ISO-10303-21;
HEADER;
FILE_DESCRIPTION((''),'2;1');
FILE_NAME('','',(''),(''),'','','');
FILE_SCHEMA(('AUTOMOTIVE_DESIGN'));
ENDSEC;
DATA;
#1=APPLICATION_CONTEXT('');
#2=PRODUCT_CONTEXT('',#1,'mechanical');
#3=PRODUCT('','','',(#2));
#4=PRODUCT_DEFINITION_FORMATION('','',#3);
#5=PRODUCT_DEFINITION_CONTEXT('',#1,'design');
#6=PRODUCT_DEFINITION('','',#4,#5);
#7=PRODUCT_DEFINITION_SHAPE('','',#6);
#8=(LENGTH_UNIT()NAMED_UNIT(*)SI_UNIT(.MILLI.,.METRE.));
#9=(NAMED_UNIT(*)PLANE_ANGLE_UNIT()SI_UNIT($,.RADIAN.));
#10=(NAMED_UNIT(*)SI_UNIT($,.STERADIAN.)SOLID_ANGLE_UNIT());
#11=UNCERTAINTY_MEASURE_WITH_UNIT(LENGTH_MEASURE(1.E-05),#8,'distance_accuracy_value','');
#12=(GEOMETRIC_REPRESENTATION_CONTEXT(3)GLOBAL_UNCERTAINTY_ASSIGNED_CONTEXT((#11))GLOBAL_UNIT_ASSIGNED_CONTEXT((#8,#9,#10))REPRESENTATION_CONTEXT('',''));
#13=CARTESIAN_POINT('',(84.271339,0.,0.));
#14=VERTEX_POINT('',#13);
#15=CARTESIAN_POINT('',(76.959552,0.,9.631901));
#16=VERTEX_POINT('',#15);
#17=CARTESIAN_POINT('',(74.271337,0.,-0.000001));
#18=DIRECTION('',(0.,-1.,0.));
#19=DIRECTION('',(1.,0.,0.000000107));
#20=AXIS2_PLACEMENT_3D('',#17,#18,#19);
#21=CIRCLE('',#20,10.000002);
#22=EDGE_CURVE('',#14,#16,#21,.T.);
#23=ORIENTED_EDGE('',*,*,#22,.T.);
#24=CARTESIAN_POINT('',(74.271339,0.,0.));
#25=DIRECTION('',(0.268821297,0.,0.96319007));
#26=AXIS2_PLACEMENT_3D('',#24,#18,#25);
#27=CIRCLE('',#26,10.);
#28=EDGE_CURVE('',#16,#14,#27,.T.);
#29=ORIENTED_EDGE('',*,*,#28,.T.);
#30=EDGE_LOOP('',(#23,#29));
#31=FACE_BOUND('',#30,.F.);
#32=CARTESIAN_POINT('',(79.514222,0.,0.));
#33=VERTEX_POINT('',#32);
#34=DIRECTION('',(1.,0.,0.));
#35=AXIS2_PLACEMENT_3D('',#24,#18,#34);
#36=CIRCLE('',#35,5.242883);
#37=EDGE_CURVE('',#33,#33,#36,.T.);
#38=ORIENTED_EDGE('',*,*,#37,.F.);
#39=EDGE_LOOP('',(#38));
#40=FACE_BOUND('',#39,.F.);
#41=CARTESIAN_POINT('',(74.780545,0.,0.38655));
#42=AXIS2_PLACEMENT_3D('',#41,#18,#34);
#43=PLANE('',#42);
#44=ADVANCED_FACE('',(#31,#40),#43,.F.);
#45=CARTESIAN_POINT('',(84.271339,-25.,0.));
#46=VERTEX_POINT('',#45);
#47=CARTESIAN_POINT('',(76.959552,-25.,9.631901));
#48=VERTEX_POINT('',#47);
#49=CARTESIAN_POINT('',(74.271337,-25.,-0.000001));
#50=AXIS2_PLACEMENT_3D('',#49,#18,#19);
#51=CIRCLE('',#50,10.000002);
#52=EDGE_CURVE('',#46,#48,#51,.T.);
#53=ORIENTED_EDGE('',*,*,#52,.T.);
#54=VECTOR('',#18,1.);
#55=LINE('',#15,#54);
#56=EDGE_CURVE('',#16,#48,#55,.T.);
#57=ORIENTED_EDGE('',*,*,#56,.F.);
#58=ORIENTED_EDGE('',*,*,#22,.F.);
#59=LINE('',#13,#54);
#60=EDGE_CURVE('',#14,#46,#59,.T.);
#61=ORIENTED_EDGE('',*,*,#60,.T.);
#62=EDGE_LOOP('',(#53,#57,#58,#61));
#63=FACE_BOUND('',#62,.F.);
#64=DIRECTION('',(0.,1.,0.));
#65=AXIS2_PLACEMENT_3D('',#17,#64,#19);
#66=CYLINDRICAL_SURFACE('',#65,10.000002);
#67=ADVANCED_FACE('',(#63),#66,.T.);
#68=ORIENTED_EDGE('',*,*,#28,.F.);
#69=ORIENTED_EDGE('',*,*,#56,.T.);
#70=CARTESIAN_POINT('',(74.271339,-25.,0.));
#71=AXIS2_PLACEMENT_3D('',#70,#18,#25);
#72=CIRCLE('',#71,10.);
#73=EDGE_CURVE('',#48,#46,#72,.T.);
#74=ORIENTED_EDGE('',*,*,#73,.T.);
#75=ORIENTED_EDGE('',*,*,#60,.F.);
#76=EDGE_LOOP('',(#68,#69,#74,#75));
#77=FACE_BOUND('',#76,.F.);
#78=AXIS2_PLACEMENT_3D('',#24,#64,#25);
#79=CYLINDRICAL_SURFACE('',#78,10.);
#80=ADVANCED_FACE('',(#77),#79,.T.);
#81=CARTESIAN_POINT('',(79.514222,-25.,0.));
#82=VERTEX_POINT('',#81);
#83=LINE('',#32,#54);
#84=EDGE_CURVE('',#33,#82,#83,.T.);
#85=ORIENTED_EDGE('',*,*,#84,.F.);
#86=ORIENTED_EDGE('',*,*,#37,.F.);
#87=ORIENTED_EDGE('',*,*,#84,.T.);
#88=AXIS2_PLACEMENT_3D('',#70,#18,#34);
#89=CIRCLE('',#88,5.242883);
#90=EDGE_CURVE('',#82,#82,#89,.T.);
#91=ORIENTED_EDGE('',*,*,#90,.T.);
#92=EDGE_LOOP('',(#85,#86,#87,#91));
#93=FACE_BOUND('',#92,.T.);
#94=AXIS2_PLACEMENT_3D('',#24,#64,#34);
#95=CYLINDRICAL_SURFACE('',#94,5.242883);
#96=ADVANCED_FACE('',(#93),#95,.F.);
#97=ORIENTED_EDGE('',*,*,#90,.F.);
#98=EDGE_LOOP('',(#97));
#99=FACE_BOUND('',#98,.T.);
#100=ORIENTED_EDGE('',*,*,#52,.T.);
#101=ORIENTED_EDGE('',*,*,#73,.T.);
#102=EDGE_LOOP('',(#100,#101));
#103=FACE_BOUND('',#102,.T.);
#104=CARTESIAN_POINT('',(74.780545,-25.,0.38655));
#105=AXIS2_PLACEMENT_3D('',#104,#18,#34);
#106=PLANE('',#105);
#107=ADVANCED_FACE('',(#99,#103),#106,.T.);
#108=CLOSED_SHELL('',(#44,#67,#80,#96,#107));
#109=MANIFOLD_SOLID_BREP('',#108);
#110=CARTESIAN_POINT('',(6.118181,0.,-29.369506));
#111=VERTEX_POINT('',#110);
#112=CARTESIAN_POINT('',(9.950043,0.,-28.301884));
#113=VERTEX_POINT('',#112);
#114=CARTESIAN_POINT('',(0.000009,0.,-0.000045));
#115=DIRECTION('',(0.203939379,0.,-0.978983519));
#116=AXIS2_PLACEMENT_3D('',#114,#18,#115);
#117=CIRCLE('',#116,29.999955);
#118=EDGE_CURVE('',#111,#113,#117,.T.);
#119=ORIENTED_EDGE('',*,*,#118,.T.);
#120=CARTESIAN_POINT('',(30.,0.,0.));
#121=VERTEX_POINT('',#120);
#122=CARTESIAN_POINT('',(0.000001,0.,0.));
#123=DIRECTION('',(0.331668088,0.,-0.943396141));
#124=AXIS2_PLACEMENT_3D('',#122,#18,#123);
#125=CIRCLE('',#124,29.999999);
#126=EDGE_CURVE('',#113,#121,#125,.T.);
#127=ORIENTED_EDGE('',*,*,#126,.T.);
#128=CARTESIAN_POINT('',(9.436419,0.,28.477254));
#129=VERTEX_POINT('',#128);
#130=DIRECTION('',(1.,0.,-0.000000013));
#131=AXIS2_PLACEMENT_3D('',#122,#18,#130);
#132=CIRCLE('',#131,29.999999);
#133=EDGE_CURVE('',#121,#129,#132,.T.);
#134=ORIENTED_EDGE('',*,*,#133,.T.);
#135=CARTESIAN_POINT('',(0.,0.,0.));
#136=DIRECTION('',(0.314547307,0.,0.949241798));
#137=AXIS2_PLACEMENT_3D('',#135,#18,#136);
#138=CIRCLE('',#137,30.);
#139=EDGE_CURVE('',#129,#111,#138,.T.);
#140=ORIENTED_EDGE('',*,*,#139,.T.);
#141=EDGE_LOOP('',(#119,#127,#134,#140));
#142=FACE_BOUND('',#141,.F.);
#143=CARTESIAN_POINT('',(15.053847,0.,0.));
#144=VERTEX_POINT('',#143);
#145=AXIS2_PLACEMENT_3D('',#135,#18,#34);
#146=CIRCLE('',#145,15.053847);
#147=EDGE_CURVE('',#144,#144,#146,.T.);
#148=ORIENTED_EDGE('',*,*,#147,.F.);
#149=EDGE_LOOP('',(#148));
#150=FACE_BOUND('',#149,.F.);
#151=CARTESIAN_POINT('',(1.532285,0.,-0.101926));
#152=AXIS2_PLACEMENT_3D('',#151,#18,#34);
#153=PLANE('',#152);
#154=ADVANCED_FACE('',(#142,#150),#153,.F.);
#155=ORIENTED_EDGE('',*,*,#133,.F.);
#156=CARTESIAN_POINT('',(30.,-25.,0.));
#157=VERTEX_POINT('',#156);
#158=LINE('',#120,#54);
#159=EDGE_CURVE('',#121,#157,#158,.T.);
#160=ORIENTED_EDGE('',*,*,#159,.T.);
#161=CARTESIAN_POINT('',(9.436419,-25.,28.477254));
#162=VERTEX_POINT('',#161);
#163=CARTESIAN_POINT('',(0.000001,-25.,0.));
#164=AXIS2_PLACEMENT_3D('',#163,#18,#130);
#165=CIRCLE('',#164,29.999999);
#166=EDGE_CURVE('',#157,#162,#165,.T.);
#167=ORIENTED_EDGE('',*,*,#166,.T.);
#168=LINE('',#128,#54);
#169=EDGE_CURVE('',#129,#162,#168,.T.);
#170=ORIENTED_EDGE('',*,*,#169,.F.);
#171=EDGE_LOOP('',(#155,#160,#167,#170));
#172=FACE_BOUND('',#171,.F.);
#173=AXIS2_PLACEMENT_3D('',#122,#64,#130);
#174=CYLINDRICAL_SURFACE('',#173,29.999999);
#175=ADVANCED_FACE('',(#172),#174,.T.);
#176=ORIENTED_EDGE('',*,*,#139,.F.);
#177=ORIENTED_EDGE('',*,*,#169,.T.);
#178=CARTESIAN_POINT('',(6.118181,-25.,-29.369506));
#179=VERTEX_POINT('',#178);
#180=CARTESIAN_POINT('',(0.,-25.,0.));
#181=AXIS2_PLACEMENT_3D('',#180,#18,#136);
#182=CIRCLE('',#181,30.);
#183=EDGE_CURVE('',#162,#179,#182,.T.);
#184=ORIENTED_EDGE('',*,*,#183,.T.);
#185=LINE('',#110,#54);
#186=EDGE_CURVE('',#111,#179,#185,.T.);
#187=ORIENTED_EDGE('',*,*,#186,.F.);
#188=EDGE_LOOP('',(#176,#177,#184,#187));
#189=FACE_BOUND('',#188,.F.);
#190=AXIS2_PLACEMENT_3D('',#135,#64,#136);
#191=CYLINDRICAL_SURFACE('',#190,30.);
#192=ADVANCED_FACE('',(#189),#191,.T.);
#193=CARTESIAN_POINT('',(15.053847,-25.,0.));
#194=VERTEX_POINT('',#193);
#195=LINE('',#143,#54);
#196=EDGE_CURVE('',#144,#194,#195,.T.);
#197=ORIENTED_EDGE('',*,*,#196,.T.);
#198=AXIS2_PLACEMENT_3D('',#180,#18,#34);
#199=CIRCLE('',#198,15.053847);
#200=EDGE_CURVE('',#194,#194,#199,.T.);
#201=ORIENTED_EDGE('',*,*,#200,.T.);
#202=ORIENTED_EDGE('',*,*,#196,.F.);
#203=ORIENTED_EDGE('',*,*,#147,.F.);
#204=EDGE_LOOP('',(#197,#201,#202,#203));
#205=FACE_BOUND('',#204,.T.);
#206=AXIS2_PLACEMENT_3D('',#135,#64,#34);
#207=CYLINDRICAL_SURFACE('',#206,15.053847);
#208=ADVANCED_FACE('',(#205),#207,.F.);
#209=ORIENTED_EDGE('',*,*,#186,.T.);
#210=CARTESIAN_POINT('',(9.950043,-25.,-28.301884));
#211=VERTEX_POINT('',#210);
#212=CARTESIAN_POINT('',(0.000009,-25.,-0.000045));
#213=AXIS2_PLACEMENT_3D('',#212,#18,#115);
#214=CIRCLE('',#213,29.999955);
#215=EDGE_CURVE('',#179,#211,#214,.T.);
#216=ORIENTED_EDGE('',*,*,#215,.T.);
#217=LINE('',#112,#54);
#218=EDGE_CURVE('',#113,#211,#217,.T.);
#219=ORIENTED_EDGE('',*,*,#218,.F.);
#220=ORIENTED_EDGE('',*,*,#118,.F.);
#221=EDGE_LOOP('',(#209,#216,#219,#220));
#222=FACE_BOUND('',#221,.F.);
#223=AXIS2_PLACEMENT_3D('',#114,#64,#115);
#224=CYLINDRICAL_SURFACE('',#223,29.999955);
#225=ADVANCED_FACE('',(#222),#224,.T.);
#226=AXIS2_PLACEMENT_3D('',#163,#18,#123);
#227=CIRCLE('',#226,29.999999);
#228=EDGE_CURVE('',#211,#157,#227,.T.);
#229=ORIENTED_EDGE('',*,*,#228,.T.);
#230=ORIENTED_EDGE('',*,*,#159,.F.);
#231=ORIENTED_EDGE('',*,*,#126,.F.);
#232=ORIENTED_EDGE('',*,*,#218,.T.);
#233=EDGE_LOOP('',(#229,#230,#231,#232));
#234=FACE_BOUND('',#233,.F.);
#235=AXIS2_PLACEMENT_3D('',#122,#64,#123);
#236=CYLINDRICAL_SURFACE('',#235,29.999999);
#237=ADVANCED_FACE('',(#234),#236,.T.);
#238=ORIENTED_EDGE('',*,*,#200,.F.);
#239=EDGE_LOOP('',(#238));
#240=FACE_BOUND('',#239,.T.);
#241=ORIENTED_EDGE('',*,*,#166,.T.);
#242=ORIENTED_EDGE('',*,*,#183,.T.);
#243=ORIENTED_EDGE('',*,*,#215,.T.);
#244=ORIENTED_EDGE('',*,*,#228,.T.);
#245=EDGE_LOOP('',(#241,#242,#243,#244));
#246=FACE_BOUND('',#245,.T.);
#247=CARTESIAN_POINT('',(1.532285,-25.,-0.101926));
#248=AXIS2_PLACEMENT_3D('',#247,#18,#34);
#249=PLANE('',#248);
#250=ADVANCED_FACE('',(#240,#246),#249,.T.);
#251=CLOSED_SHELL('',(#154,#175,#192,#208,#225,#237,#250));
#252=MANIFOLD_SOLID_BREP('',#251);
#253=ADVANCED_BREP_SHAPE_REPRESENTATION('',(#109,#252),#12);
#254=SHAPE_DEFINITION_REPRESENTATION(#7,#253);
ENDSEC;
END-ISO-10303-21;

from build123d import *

# Parameters (mm, degrees)
F0_R     = 15.053847
F0_R_2   = 5.242883
F1_DEPTH = 25


with BuildPart() as f1:
    # F0 (on Front) → F1 (new body)
    with BuildSketch(Plane.XZ):
        with BuildLine():
            ThreePointArc((9.950043, -28.301884), (24.479597, -17.342126), (30, 0))
            ThreePointArc((30, 0), (24.321725, 17.56285), (9.436419, 28.477254))
            ThreePointArc((9.436419, 28.477254), (-29.950765, 1.718053), (6.118181, -29.369506))
            Line((6.118181, -29.369506), (9.950043, -28.301884))
        make_face()
        Circle(F0_R, mode=Mode.SUBTRACT)
        with BuildLine():
            ThreePointArc((84.271339, 0), (82.236329, 6.046398), (76.959552, 9.631901))
            ThreePointArc((76.959552, 9.631901), (66.306349, -6.046398), (84.271339, 0))
        make_face()
        with Locations((74.271339, 0)):
            Circle(F0_R_2, mode=Mode.SUBTRACT)
        with BuildLine():
            ThreePointArc((6.118181, -29.369506), (8.051827, -28.899275), (9.950043, -28.301884))
            Line((9.950043, -28.301884), (6.118181, -29.369506))
        make_face()
    extrude(amount=F1_DEPTH)


solid = f1.part
